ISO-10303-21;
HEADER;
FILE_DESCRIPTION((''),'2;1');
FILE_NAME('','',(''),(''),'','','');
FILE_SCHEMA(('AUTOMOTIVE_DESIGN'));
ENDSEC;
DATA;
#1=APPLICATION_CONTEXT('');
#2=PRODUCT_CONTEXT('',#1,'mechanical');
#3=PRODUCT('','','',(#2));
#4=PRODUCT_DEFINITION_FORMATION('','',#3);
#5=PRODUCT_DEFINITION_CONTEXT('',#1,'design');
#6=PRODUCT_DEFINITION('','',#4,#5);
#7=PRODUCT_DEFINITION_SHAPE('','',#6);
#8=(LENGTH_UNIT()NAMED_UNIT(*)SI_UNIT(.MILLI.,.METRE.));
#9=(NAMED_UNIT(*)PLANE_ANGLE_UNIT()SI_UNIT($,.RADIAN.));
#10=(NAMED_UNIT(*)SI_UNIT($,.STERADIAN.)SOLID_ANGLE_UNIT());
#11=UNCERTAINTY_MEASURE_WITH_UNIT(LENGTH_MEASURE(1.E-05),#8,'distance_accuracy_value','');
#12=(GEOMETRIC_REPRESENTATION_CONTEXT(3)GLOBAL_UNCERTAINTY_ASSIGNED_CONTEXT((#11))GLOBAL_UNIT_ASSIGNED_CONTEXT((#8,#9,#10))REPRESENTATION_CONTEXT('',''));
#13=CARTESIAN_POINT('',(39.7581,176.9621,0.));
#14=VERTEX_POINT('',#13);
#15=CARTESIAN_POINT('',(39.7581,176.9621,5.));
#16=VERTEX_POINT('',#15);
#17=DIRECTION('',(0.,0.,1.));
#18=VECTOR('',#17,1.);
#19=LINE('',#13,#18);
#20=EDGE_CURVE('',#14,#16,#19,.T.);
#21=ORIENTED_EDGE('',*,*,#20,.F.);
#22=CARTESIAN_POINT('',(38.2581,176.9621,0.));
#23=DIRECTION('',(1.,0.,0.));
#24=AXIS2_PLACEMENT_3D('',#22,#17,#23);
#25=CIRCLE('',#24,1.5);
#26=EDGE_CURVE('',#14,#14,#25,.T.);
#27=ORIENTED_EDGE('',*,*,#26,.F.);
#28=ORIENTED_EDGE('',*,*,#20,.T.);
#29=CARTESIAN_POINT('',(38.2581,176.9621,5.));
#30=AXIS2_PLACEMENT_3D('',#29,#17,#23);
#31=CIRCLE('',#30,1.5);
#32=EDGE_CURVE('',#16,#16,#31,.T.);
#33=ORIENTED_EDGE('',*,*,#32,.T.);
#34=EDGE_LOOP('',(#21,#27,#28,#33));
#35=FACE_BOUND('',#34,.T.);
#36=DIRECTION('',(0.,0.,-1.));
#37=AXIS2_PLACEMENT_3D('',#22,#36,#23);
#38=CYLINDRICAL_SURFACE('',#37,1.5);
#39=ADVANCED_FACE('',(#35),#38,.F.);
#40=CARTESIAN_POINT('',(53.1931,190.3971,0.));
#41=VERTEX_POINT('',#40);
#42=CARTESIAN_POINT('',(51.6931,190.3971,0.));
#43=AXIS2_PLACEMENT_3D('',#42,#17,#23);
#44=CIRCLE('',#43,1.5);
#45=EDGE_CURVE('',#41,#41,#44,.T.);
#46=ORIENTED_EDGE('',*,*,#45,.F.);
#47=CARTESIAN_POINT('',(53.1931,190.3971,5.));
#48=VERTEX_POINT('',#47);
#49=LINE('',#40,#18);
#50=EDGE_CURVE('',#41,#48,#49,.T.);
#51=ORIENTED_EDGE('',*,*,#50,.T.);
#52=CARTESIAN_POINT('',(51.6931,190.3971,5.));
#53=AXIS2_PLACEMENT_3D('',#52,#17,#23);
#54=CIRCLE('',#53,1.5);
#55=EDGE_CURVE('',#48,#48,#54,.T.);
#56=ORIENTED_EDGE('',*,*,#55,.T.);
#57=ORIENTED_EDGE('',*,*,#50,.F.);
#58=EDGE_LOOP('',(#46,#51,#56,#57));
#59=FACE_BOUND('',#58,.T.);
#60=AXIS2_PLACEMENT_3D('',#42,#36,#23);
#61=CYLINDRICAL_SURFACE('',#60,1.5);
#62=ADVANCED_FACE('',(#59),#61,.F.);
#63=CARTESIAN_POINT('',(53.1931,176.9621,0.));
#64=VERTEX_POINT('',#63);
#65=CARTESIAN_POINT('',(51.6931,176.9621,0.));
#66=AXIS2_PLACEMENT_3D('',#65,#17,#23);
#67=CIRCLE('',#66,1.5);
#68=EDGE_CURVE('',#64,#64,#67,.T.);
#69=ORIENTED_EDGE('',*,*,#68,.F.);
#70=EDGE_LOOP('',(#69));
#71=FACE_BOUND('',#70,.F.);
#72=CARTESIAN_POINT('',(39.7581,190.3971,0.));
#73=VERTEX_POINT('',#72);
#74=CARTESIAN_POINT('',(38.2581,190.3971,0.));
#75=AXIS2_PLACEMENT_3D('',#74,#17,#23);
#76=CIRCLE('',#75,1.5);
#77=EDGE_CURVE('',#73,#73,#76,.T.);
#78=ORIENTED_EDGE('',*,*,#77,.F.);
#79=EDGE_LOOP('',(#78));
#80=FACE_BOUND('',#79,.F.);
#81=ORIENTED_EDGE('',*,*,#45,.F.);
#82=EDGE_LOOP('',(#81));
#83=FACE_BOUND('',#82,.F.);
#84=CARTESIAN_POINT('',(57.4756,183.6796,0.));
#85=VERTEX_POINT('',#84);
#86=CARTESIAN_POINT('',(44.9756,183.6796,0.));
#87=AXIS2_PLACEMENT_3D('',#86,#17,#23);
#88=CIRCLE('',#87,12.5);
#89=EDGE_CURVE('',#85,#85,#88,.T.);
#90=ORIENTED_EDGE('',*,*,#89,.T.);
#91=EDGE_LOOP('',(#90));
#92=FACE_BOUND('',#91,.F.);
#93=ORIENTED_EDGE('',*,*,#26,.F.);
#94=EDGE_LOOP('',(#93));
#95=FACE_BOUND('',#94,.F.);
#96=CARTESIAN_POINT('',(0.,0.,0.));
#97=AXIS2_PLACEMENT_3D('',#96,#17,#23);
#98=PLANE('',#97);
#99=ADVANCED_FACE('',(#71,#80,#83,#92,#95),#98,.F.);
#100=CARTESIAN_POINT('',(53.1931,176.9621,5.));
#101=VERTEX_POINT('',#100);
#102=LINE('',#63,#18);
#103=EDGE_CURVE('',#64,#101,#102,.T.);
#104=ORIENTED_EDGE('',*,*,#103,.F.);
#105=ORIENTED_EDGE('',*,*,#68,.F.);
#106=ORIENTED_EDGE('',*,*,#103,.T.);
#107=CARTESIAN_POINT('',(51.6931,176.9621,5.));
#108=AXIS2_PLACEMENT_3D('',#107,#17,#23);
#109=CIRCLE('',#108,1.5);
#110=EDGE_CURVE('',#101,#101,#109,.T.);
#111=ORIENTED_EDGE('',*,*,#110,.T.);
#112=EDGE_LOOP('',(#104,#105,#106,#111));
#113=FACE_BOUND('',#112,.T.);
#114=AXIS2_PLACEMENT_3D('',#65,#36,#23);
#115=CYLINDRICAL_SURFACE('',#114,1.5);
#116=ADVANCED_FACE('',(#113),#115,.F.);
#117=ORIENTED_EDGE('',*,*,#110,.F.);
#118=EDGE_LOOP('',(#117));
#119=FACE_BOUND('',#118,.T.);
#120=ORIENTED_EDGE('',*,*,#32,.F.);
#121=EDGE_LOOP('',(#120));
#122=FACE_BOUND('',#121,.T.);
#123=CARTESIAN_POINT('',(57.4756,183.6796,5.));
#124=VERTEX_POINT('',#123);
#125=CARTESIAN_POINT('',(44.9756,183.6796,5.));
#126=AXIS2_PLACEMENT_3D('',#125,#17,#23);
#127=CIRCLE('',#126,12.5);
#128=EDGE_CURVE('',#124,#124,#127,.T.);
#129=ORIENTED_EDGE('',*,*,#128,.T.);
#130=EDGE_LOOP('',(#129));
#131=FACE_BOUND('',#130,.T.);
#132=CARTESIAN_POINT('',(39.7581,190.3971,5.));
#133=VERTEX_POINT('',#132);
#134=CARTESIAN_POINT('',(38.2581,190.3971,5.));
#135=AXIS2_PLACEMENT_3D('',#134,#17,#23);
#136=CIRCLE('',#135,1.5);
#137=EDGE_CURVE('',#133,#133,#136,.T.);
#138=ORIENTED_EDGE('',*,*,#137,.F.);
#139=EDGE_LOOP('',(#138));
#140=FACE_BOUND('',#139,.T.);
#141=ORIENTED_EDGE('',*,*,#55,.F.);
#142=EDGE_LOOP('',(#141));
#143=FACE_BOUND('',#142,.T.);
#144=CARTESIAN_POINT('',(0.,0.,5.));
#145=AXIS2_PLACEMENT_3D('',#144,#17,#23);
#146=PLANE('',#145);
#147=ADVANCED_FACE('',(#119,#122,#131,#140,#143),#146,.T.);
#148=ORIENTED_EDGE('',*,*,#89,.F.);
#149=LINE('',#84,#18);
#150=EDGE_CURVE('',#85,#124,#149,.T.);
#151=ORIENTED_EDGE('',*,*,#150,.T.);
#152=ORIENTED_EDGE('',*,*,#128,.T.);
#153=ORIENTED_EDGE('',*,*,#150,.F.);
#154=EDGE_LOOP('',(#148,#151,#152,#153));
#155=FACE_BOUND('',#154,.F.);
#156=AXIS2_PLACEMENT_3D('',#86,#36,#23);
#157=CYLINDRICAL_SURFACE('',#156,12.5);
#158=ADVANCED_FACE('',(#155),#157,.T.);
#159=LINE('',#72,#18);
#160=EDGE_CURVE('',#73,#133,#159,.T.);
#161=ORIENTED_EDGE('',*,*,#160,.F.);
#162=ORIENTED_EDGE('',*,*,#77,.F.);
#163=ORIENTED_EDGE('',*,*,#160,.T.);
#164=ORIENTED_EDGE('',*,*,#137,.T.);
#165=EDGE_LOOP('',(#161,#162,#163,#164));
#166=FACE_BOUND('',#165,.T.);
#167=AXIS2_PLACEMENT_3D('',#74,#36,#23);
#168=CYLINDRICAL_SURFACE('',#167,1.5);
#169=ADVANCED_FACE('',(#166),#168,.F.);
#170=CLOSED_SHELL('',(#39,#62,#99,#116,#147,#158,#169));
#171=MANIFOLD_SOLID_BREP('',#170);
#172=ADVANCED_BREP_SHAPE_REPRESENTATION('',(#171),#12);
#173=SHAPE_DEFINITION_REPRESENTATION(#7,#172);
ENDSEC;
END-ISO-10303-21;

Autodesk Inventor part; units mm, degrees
ref_plane "YZ Plane" through (0, 0, 0) normal (1, 0, 0) x (0, 1, 0)
ref_plane "XZ Plane" through (0, 0, 0) normal (0, 1, 0) x (-1, 0, 0)
ref_plane "XY Plane" through (0, 0, 0) normal (0, 0, 1) x (1, 0, 0)
sketch "Эскиз1" plane through (0, 0, 0) normal (0, 0, 1) x (1, 0, 0)
  circle A0 centre (38.2581, 176.9621) radius 1.5 projected
  circle A1 centre (38.2581, 190.3971) radius 1.5 projected
  circle A2 centre (51.6931, 176.9621) radius 1.5 projected
  circle A3 centre (51.6931, 190.3971) radius 1.5 projected
  circle A4 centre (44.9756, 183.6796) radius 12.5 projected
  point P0 (0, 0)
extrude "Выдавливание1" add sketch "Эскиз1" along normal blind 5
properties part number "ПроставкаДвиг"
